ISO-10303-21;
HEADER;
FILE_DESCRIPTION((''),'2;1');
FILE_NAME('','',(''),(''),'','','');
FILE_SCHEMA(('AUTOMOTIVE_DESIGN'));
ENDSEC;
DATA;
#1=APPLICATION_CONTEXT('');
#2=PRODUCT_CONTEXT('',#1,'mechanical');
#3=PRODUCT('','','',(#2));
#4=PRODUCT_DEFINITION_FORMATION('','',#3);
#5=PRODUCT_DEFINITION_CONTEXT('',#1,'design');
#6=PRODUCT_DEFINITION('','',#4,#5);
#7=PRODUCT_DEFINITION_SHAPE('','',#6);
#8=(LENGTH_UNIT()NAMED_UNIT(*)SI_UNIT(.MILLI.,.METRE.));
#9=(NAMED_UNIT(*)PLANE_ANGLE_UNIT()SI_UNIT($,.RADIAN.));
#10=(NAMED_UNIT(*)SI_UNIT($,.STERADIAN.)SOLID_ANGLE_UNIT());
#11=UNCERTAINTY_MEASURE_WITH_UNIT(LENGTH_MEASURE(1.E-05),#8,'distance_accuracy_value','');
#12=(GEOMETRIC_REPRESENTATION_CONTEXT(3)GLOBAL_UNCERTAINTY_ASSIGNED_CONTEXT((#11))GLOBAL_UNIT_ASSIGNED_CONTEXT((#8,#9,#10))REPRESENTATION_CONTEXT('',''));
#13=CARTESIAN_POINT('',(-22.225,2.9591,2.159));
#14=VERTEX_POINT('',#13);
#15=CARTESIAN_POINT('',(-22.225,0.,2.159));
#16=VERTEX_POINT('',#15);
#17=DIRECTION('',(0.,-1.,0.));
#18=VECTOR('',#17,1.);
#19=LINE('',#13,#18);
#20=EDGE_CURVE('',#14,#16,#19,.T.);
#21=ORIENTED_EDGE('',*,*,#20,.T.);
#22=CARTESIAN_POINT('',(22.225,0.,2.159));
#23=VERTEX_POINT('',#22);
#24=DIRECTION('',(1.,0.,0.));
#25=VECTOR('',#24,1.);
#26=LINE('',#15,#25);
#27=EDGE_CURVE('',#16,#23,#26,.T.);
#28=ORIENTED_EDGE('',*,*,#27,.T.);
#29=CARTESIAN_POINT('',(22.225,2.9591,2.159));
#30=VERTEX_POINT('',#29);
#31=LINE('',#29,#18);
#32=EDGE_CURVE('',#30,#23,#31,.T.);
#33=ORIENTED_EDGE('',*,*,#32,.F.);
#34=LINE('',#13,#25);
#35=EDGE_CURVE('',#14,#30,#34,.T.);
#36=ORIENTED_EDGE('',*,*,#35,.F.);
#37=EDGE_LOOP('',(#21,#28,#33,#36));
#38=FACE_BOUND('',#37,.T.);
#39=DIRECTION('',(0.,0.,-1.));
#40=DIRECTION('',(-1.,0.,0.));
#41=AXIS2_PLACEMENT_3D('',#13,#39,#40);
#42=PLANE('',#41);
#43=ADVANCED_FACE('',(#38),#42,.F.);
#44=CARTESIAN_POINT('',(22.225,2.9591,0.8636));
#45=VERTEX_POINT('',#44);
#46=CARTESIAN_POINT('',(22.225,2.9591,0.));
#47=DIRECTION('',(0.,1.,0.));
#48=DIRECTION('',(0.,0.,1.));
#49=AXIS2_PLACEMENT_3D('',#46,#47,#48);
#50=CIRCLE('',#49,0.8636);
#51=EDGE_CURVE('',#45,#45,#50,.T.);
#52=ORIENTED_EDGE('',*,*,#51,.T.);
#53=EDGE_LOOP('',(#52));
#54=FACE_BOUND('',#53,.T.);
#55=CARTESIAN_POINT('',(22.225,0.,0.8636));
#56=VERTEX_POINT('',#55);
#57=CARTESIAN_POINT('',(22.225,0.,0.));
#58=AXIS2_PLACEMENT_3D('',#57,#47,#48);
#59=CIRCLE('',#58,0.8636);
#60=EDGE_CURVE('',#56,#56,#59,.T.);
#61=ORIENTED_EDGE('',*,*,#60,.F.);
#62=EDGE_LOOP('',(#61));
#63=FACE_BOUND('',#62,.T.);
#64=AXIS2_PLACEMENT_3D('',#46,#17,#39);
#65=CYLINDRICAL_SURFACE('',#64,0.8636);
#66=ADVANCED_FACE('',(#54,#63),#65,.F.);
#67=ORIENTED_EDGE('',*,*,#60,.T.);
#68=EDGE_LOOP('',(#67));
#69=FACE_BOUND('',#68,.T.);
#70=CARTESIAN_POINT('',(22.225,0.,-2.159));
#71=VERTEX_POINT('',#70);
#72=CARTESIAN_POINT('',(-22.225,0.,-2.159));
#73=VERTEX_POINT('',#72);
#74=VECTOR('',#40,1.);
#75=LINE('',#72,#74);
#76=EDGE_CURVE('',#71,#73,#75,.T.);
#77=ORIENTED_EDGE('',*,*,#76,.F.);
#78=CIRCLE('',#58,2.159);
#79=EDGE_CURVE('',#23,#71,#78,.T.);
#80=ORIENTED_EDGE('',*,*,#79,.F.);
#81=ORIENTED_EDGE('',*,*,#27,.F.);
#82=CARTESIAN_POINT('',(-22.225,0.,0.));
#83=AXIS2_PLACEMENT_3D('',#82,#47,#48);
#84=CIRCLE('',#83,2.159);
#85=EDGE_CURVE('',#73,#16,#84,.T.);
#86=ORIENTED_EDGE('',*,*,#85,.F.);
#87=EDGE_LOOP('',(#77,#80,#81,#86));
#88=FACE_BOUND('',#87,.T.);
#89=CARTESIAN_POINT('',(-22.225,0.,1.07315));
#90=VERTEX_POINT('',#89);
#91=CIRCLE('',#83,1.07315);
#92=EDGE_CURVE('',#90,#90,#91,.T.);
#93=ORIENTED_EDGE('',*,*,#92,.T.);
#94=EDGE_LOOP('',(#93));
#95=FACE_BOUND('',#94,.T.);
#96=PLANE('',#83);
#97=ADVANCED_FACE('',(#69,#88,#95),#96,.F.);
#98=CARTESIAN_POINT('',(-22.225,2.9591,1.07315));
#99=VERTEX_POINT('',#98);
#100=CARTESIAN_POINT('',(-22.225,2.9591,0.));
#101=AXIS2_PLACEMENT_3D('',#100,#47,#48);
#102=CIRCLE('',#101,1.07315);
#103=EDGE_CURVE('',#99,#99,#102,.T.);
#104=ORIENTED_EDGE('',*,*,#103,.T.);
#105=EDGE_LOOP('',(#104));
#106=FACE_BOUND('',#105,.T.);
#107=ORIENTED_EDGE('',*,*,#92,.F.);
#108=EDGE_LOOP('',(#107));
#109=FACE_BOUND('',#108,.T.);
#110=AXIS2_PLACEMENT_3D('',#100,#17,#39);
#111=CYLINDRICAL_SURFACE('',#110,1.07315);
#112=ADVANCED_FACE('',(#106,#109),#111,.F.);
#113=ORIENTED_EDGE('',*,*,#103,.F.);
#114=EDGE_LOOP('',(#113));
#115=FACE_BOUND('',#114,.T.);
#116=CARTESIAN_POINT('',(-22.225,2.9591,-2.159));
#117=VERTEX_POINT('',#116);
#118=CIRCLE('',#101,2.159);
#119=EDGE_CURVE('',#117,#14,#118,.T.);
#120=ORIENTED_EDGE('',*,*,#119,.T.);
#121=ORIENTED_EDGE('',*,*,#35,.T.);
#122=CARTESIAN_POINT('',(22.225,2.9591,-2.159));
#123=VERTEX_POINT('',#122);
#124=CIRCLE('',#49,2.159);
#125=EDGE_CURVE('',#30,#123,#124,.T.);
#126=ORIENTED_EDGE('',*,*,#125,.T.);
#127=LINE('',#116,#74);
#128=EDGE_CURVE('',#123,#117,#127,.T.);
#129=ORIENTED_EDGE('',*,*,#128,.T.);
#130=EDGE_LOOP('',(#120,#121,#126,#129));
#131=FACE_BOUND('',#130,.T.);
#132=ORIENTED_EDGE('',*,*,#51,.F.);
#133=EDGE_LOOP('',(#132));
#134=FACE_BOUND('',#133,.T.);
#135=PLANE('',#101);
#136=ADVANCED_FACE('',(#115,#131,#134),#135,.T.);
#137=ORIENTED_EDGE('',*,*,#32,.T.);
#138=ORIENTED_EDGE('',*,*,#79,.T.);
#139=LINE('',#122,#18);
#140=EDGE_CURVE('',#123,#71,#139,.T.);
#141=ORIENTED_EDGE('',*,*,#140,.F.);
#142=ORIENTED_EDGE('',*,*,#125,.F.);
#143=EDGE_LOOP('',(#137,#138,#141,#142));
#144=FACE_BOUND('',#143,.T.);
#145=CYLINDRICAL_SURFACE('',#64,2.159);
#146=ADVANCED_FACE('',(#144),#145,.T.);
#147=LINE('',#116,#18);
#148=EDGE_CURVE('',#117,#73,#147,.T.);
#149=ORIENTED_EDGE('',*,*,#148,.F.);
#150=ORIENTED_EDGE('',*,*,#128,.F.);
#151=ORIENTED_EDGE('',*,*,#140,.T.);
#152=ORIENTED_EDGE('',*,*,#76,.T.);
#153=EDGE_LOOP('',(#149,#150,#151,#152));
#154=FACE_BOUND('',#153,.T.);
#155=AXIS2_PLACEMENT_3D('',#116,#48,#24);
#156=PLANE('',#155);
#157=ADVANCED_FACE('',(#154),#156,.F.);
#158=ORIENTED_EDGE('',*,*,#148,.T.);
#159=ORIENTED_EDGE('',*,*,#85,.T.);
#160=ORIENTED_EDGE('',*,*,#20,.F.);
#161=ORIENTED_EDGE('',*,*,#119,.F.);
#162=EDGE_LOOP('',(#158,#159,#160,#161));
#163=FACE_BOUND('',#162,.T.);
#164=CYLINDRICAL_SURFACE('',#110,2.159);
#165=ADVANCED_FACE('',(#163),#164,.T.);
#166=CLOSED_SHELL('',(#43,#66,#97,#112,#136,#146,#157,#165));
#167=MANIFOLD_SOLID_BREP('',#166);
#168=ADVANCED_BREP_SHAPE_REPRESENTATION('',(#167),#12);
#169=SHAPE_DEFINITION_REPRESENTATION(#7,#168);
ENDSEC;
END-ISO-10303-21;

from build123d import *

# Parameters (mm, degrees)
SKETCH1_R           = 0.8636
SKETCH1_R_2         = 1.07315
BOSS_EXTRUDE1_DEPTH = 2.9591


with BuildPart() as part:
    # Sketch1 → Boss-Extrude1 (new body)
    with BuildSketch(Plane(origin=(0, 0, 0), x_dir=(1, 0, 0), z_dir=(0, 1, 0))):
        with BuildLine():
            Line((-22.225, 2.159), (22.225, 2.159))
            ThreePointArc((22.225, 2.159), (24.384, 0), (22.225, -2.159))
            Line((22.225, -2.159), (-22.225, -2.159))
            ThreePointArc((-22.225, -2.159), (-24.384, 0), (-22.225, 2.159))
        make_face()
        with Locations((22.225, 0)):
            Circle(SKETCH1_R, mode=Mode.SUBTRACT)
        with Locations((-22.225, 0)):
            Circle(SKETCH1_R_2, mode=Mode.SUBTRACT)
    extrude(amount=BOSS_EXTRUDE1_DEPTH)


solid = part.part
